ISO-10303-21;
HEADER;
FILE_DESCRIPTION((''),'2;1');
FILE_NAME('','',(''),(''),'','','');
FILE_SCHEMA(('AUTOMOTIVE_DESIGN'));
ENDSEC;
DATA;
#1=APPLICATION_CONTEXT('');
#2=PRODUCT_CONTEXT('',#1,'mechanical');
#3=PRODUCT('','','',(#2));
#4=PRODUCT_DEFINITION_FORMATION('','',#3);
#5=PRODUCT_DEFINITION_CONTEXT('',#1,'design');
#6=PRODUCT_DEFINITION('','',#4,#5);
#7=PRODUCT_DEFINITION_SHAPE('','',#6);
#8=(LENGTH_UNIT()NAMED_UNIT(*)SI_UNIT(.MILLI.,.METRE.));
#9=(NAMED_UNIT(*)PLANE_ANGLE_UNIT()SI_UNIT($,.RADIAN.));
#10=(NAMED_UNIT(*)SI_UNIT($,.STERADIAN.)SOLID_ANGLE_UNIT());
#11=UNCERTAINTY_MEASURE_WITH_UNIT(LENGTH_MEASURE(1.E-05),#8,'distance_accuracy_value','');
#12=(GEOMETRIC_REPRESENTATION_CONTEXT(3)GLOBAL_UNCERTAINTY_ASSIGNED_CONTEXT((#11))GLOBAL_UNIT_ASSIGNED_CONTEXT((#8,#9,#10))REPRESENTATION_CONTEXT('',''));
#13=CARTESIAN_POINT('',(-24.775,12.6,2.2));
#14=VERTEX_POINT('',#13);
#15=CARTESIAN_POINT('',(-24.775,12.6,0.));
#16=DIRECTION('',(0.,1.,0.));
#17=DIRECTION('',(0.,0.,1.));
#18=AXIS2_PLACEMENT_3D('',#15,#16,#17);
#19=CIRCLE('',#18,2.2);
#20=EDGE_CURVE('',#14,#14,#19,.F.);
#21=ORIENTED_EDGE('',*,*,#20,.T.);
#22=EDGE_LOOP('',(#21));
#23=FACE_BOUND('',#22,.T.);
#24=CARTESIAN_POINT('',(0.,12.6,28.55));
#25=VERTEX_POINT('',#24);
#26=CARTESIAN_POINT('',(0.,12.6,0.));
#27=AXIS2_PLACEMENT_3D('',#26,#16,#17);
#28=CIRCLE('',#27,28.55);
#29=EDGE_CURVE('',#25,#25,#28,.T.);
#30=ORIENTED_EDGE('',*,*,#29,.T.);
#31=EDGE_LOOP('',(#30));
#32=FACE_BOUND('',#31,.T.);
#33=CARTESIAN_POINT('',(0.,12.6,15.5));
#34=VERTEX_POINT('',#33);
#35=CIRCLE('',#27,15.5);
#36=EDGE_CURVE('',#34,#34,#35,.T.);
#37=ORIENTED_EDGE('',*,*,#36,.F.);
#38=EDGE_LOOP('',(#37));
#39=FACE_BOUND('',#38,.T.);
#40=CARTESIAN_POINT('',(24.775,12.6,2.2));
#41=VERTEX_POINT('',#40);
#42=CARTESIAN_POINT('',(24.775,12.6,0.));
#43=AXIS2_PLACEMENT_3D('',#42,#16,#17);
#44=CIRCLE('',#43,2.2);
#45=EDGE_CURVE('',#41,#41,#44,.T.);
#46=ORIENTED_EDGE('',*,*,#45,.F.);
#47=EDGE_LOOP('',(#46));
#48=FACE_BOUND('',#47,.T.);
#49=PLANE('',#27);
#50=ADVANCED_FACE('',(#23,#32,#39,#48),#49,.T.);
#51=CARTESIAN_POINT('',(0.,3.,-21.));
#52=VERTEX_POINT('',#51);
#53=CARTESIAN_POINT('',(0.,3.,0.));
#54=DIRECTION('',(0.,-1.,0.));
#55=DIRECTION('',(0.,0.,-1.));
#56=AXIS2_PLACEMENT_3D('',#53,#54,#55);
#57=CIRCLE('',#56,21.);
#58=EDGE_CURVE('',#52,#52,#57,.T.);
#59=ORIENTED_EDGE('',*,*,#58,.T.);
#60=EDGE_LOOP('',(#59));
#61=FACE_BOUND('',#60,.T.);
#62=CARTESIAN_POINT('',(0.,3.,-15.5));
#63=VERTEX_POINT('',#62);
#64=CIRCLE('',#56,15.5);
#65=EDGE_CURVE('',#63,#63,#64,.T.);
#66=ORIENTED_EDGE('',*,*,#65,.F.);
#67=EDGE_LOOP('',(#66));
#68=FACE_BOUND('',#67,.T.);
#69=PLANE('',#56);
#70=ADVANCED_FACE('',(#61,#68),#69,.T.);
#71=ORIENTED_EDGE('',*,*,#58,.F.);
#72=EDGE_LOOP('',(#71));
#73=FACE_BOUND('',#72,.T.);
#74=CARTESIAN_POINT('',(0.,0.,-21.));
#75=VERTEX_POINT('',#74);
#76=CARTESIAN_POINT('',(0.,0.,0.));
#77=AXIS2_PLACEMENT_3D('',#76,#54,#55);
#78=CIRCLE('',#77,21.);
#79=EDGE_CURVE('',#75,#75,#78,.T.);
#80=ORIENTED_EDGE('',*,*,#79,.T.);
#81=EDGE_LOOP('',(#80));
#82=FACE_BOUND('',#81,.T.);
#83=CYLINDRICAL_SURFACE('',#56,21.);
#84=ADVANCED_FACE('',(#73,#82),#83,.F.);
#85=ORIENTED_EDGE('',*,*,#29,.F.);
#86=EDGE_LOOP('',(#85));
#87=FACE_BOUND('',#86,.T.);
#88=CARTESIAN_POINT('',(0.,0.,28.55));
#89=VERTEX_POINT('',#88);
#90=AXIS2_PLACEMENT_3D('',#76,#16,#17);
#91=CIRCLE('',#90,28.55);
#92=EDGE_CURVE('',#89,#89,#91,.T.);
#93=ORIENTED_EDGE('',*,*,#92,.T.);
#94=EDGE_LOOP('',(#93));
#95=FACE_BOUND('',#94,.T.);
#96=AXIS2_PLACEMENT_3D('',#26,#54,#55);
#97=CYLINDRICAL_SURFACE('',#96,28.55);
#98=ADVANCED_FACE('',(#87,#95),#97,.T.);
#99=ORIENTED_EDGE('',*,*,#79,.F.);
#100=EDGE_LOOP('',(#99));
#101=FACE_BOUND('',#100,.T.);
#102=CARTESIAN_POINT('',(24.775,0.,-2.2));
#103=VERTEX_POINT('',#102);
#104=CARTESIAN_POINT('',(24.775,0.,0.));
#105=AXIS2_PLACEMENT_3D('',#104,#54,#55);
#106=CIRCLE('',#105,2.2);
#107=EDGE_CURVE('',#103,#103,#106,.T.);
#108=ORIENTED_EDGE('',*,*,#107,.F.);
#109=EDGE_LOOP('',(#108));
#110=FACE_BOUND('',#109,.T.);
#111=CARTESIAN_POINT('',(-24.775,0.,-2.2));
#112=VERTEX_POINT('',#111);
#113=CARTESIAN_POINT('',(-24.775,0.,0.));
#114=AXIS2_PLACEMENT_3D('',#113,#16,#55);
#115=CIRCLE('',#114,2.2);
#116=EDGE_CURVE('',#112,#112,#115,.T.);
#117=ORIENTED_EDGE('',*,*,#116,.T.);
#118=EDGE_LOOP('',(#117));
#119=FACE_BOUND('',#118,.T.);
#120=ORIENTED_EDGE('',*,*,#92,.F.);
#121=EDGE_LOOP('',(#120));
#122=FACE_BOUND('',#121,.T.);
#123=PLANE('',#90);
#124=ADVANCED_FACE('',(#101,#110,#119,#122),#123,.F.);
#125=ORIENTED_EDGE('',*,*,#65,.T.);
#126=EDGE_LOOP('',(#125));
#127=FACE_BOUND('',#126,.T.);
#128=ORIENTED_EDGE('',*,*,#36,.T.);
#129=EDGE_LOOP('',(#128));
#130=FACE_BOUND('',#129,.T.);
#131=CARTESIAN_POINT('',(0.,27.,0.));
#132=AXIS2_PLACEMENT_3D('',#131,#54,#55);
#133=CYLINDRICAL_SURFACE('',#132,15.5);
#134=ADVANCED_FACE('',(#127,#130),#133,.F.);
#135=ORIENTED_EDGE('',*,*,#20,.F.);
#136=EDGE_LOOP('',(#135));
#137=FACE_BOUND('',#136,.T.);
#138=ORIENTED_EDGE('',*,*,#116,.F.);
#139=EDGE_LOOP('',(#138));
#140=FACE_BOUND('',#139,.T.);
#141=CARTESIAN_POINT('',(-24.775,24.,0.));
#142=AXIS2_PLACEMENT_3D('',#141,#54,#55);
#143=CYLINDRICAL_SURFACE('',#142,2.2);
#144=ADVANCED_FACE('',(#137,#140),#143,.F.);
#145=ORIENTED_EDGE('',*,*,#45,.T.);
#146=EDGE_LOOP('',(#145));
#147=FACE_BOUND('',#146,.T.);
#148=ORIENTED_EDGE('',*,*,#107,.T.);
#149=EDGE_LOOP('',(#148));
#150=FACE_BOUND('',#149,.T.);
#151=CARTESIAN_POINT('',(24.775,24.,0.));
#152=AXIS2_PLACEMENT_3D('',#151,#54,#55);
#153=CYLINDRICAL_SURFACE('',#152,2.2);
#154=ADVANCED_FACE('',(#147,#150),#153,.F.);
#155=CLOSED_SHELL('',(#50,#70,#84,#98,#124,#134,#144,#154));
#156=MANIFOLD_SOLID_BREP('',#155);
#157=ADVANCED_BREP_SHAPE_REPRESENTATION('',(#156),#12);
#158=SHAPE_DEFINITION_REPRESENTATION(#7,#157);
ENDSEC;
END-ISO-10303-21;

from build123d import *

# Parameters (mm, degrees)
SKETCH2_R           = 28.55
BOSS_EXTRUDE1_DEPTH = 12.6
SKETCH3_R           = 21
CUT_EXTRUDE1_DEPTH  = 3
SKETCH4_R           = 15.5
CUT_EXTRUDE2_DEPTH  = 24
SKETCH5_R           = 2.2
CUT_EXTRUDE3_DEPTH  = 24


with BuildPart() as part:
    # Sketch2 → Boss-Extrude1 (new body)
    with BuildSketch(Plane(origin=(0, 0, 0), x_dir=(1, 0, 0), z_dir=(0, 1, 0))):
        with Locations(Location((0, 0, 0), (0, 0, 270))):
            Circle(SKETCH2_R)
    extrude(amount=BOSS_EXTRUDE1_DEPTH)

    # Sketch3 → Cut-Extrude1 (cut)
    with BuildSketch(Plane.XZ):
        with Locations(Location((0, 0, 0), (0, 0, 270))):
            Circle(SKETCH3_R)
    extrude(amount=-CUT_EXTRUDE1_DEPTH, mode=Mode.SUBTRACT)

    # Sketch4 → Cut-Extrude2 (cut)
    with BuildSketch(Plane.XZ.offset(-3)):
        with Locations(Location((0, 0, 0), (0, 0, 270))):
            Circle(SKETCH4_R)
    extrude(amount=-CUT_EXTRUDE2_DEPTH, mode=Mode.SUBTRACT)

    # Sketch5 → Cut-Extrude3 (cut)
    with BuildSketch(Plane(origin=(0, 0, 0), x_dir=(-1, 0, 0), z_dir=(0, -1, 0))):
        with Locations(Location((-24.775, 0, 0), (0, 0, 90))):
            Circle(SKETCH5_R)
    cut_extrude3 = extrude(amount=-CUT_EXTRUDE3_DEPTH, mode=Mode.SUBTRACT)

    # Mirror1: Cut-Extrude3 across plane
    add(cut_extrude3.mirror(Plane(origin=(0, 0, 0), x_dir=(0, 0, 1), z_dir=(1, 0, 0))), mode=Mode.SUBTRACT)


solid = part.part
